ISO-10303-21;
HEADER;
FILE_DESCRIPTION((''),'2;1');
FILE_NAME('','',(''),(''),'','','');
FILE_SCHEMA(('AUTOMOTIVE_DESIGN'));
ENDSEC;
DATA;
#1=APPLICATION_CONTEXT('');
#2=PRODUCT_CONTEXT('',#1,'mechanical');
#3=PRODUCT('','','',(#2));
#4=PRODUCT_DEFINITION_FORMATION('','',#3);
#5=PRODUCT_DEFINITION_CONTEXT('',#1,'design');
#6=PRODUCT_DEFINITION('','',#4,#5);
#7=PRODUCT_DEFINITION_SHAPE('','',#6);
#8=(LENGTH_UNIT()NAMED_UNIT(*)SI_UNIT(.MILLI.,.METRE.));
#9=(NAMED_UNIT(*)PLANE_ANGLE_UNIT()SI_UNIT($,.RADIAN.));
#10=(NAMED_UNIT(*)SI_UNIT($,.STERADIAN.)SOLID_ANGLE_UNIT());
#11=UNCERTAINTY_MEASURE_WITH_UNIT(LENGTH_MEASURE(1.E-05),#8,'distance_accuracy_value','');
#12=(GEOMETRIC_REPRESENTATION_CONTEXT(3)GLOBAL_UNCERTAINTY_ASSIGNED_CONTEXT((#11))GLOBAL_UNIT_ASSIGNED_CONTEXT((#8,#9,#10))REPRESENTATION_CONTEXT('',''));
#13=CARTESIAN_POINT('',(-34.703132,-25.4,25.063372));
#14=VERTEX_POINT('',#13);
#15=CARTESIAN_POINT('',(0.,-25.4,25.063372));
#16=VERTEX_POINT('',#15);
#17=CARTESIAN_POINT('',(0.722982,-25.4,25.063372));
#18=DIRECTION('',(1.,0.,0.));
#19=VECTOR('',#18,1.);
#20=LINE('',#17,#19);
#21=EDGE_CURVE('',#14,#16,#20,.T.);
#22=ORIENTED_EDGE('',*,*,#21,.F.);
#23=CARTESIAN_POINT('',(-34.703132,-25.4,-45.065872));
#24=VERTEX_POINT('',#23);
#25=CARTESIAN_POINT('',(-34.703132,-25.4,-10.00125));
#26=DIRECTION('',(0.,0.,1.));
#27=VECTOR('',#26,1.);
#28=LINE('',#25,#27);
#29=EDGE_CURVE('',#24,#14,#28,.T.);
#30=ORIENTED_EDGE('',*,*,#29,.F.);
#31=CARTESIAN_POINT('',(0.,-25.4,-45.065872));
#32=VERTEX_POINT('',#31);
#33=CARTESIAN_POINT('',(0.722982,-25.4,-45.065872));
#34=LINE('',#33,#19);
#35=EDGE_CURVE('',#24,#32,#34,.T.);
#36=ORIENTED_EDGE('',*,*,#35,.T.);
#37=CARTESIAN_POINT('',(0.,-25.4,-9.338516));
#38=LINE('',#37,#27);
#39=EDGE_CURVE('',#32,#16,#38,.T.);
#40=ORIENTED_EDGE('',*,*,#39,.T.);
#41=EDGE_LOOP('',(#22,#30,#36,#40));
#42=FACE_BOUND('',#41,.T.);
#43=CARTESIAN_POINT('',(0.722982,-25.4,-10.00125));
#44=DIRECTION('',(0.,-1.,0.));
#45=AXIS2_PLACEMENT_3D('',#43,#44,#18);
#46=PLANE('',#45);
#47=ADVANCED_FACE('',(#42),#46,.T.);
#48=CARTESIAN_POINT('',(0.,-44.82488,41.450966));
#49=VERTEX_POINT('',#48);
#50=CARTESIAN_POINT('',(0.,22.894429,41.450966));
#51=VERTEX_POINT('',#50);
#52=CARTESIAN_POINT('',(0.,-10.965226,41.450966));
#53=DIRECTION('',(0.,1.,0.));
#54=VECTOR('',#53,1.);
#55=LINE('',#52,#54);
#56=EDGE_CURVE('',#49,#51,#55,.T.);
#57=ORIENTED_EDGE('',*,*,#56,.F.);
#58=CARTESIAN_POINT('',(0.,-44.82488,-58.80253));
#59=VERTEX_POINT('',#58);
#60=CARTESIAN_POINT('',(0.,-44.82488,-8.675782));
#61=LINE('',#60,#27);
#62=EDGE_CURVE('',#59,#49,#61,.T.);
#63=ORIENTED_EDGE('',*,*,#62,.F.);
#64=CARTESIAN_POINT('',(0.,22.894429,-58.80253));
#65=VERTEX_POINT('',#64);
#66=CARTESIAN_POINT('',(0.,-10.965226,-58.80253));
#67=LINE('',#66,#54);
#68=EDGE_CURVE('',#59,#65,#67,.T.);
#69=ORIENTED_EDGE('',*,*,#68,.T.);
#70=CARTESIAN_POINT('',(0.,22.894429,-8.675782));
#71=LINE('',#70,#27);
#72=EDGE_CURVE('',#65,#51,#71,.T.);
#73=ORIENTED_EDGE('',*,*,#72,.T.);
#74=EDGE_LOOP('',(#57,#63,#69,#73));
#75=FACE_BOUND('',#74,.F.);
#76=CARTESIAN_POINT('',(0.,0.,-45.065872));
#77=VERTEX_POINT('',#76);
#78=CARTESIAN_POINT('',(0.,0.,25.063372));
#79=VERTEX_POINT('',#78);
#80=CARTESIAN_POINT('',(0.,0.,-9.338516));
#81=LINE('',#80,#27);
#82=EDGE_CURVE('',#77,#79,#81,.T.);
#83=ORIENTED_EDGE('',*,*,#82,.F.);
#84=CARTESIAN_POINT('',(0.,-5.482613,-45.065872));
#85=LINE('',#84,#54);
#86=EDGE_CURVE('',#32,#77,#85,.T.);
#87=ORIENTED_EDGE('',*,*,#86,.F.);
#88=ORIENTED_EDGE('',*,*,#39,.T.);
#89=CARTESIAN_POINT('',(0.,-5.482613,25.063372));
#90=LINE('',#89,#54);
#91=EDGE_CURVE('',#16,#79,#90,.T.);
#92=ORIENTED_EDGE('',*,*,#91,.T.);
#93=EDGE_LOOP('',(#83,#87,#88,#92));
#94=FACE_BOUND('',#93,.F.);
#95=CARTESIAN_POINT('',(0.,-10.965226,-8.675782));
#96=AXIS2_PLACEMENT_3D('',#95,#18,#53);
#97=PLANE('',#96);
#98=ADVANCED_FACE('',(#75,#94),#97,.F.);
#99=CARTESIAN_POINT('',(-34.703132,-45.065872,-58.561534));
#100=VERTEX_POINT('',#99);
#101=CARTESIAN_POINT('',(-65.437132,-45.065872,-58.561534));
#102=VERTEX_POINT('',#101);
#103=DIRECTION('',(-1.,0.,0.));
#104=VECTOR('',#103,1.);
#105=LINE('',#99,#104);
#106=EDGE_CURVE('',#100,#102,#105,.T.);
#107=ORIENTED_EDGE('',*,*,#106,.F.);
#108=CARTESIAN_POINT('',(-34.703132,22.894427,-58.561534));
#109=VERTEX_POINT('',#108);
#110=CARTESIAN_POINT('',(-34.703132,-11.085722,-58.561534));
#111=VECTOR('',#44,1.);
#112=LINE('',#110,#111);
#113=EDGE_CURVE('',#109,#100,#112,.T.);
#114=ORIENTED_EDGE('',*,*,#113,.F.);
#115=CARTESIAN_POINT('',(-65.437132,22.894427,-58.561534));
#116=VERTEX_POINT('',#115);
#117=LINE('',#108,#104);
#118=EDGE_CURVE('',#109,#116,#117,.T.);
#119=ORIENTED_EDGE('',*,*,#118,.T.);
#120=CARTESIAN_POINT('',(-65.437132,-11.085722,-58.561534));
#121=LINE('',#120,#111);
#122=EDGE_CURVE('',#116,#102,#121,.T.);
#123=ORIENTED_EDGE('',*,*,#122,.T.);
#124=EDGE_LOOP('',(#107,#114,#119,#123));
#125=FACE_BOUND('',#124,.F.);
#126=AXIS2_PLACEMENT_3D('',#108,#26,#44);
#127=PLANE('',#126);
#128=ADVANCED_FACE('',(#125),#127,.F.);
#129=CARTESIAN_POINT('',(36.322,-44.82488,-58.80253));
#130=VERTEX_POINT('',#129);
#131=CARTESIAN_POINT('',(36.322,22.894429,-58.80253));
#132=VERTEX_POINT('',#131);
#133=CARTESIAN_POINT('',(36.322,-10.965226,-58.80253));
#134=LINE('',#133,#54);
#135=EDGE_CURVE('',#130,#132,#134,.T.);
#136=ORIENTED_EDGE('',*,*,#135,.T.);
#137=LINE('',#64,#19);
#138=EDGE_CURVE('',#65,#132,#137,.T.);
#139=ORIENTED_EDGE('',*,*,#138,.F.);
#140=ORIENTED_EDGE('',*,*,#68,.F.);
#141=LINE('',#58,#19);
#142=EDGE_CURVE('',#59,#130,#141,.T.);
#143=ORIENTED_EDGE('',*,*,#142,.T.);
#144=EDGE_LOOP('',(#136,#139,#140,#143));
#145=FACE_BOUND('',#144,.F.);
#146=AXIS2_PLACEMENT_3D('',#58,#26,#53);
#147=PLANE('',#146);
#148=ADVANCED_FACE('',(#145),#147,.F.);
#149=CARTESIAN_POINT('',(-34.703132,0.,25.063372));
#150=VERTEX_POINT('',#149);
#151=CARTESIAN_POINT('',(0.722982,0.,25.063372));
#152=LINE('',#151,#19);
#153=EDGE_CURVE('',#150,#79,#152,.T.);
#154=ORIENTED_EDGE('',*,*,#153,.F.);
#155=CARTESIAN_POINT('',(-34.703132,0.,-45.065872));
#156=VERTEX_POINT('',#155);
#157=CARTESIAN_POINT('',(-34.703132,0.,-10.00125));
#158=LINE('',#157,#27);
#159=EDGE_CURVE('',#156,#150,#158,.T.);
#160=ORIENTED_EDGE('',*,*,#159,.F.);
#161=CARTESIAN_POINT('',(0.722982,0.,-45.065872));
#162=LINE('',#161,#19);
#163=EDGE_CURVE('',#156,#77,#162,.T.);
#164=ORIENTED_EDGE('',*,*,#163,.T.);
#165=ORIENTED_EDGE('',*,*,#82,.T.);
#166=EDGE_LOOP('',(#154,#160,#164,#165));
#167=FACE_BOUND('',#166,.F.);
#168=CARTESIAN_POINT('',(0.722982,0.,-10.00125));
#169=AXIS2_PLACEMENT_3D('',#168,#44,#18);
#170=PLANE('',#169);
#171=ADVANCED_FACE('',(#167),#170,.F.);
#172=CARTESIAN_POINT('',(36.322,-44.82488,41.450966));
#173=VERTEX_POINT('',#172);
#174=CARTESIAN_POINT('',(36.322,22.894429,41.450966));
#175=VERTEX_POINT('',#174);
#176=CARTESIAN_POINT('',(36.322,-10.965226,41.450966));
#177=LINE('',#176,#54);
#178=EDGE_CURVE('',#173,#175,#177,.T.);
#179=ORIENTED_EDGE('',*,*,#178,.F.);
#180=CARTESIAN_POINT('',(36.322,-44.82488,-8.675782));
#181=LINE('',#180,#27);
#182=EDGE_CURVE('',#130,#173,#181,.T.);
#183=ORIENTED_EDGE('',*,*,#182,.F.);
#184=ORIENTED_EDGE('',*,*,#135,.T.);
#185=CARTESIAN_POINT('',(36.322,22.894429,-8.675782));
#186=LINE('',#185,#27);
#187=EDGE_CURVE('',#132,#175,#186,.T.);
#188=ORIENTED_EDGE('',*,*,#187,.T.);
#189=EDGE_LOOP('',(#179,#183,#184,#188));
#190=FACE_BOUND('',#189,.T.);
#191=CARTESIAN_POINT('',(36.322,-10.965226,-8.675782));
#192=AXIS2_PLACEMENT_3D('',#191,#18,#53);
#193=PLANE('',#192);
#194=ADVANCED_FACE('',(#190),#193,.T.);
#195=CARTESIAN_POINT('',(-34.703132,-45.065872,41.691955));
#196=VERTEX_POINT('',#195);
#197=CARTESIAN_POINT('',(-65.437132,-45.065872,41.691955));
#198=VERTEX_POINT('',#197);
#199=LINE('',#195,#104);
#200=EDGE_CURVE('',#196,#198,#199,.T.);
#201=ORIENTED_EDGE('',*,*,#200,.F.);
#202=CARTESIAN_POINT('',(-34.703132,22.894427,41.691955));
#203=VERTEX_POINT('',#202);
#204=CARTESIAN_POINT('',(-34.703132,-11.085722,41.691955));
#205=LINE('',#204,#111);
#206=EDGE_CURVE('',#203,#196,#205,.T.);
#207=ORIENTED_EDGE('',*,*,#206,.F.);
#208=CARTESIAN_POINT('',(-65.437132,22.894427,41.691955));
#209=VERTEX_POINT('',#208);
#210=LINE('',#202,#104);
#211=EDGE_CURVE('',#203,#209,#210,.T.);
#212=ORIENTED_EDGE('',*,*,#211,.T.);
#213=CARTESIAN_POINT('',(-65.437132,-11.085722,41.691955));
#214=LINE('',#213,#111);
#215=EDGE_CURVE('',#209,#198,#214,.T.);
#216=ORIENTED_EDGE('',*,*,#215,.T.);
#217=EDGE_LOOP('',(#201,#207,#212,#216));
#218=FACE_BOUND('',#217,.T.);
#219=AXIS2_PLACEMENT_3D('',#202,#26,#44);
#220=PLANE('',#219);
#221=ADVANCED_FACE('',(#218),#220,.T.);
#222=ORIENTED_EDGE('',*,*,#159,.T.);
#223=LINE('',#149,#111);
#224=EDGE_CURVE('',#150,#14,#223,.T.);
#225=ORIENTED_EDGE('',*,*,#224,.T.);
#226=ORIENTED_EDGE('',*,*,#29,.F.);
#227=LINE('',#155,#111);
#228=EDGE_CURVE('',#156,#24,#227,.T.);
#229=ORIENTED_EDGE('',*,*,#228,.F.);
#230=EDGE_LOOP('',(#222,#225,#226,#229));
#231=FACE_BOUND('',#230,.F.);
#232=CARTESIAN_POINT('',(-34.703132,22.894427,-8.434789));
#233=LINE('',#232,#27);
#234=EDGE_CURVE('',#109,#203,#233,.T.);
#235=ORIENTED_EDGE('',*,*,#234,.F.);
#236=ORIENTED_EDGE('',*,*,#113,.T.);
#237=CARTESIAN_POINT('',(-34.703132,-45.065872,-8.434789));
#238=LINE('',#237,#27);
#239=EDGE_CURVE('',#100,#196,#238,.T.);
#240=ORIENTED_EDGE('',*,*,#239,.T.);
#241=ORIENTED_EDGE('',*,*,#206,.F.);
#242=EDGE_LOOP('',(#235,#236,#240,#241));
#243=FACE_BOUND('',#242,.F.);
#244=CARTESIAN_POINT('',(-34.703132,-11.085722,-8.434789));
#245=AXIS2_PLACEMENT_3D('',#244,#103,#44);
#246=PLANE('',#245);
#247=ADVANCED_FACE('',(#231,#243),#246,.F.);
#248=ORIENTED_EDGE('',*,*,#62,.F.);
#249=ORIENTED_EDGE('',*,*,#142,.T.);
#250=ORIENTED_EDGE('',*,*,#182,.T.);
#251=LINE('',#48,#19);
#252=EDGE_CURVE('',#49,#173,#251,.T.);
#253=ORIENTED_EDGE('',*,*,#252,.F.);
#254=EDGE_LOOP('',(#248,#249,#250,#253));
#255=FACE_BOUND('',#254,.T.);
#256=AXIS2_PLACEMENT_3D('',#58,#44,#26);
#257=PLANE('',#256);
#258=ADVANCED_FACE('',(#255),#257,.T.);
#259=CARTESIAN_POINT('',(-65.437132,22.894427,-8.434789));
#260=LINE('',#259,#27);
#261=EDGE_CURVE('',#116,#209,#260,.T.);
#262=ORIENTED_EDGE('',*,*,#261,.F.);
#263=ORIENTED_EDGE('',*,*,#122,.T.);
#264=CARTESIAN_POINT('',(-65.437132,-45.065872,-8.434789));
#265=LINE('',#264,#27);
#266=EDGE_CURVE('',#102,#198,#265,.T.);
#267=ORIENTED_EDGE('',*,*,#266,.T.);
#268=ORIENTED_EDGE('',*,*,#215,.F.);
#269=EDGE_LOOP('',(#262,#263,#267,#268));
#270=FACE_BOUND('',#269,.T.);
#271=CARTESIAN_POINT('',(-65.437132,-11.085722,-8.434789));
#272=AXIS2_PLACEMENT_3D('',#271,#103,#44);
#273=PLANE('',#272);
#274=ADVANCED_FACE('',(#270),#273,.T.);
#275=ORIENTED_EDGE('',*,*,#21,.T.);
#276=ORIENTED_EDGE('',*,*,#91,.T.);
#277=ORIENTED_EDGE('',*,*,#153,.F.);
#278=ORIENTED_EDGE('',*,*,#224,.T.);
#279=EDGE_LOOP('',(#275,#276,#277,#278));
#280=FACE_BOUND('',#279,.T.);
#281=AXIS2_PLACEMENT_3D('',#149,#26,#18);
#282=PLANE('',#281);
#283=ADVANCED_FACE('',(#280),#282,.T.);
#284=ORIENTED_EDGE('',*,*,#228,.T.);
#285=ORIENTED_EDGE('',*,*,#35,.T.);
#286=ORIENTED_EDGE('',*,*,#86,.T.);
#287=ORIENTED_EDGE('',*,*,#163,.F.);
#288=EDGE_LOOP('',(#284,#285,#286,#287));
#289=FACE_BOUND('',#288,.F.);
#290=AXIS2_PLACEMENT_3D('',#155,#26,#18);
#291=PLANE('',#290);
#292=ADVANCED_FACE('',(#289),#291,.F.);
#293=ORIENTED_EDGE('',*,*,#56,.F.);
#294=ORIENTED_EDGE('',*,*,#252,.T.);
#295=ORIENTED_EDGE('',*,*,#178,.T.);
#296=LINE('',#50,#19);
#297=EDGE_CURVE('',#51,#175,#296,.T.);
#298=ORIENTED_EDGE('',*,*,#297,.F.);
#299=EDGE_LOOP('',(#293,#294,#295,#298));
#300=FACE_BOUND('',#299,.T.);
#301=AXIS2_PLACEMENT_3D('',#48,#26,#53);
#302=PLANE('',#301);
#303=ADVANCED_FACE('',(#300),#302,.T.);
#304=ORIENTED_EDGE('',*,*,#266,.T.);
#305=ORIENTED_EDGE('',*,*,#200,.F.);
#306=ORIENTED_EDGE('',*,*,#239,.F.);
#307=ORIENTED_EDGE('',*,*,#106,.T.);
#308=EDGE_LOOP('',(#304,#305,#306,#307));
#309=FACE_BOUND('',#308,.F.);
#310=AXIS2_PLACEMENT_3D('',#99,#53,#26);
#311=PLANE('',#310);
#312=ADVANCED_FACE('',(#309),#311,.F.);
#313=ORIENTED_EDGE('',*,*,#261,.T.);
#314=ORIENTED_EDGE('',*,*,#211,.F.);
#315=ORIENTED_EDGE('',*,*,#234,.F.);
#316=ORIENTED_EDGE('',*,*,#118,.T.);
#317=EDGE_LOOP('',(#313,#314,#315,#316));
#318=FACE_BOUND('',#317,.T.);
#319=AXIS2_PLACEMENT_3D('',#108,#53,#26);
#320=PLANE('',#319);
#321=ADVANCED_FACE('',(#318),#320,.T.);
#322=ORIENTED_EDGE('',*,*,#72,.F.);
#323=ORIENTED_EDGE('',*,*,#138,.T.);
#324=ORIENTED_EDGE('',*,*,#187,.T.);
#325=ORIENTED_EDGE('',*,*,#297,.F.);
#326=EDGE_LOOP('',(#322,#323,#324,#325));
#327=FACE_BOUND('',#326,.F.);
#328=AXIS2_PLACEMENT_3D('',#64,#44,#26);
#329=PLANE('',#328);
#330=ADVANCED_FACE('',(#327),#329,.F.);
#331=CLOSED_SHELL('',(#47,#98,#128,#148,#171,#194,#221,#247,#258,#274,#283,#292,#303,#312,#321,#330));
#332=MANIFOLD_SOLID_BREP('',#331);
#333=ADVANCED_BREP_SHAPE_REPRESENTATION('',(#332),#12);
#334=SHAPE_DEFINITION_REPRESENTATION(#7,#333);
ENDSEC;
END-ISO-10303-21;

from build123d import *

# Parameters (mm, degrees)
F0_W     = 70.852228
F0_H     = 70.129245
F1_DEPTH = 25.4
F2_W     = 67.719309
F2_H     = 100.253496
F3_DEPTH = 36.322
F4_W     = 67.960299
F4_H     = 100.253489
F5_DEPTH = 30.734


with BuildPart() as f1:
    # F0 (on Front) → F1 (new body)
    with BuildSketch(Plane.XZ):
        with Locations((0.722982, -10.00125)):
            Rectangle(F0_W, F0_H)
    extrude(amount=F1_DEPTH)

    # F2 (on Right) → F3 (join)
    with BuildSketch(Plane.YZ):
        with Locations((-10.965226, -8.675782)):
            Rectangle(F2_W, F2_H)
    extrude(amount=F3_DEPTH)

    # F4 (on face) → F5 (join)
    with BuildSketch(Plane(origin=(-34.703132, 0, 0), x_dir=(0, -1, 0), z_dir=(-1, 0, 0))):
        with Locations((11.085722, -8.434789)):
            Rectangle(F4_W, F4_H)
    extrude(amount=F5_DEPTH)


solid = f1.part
